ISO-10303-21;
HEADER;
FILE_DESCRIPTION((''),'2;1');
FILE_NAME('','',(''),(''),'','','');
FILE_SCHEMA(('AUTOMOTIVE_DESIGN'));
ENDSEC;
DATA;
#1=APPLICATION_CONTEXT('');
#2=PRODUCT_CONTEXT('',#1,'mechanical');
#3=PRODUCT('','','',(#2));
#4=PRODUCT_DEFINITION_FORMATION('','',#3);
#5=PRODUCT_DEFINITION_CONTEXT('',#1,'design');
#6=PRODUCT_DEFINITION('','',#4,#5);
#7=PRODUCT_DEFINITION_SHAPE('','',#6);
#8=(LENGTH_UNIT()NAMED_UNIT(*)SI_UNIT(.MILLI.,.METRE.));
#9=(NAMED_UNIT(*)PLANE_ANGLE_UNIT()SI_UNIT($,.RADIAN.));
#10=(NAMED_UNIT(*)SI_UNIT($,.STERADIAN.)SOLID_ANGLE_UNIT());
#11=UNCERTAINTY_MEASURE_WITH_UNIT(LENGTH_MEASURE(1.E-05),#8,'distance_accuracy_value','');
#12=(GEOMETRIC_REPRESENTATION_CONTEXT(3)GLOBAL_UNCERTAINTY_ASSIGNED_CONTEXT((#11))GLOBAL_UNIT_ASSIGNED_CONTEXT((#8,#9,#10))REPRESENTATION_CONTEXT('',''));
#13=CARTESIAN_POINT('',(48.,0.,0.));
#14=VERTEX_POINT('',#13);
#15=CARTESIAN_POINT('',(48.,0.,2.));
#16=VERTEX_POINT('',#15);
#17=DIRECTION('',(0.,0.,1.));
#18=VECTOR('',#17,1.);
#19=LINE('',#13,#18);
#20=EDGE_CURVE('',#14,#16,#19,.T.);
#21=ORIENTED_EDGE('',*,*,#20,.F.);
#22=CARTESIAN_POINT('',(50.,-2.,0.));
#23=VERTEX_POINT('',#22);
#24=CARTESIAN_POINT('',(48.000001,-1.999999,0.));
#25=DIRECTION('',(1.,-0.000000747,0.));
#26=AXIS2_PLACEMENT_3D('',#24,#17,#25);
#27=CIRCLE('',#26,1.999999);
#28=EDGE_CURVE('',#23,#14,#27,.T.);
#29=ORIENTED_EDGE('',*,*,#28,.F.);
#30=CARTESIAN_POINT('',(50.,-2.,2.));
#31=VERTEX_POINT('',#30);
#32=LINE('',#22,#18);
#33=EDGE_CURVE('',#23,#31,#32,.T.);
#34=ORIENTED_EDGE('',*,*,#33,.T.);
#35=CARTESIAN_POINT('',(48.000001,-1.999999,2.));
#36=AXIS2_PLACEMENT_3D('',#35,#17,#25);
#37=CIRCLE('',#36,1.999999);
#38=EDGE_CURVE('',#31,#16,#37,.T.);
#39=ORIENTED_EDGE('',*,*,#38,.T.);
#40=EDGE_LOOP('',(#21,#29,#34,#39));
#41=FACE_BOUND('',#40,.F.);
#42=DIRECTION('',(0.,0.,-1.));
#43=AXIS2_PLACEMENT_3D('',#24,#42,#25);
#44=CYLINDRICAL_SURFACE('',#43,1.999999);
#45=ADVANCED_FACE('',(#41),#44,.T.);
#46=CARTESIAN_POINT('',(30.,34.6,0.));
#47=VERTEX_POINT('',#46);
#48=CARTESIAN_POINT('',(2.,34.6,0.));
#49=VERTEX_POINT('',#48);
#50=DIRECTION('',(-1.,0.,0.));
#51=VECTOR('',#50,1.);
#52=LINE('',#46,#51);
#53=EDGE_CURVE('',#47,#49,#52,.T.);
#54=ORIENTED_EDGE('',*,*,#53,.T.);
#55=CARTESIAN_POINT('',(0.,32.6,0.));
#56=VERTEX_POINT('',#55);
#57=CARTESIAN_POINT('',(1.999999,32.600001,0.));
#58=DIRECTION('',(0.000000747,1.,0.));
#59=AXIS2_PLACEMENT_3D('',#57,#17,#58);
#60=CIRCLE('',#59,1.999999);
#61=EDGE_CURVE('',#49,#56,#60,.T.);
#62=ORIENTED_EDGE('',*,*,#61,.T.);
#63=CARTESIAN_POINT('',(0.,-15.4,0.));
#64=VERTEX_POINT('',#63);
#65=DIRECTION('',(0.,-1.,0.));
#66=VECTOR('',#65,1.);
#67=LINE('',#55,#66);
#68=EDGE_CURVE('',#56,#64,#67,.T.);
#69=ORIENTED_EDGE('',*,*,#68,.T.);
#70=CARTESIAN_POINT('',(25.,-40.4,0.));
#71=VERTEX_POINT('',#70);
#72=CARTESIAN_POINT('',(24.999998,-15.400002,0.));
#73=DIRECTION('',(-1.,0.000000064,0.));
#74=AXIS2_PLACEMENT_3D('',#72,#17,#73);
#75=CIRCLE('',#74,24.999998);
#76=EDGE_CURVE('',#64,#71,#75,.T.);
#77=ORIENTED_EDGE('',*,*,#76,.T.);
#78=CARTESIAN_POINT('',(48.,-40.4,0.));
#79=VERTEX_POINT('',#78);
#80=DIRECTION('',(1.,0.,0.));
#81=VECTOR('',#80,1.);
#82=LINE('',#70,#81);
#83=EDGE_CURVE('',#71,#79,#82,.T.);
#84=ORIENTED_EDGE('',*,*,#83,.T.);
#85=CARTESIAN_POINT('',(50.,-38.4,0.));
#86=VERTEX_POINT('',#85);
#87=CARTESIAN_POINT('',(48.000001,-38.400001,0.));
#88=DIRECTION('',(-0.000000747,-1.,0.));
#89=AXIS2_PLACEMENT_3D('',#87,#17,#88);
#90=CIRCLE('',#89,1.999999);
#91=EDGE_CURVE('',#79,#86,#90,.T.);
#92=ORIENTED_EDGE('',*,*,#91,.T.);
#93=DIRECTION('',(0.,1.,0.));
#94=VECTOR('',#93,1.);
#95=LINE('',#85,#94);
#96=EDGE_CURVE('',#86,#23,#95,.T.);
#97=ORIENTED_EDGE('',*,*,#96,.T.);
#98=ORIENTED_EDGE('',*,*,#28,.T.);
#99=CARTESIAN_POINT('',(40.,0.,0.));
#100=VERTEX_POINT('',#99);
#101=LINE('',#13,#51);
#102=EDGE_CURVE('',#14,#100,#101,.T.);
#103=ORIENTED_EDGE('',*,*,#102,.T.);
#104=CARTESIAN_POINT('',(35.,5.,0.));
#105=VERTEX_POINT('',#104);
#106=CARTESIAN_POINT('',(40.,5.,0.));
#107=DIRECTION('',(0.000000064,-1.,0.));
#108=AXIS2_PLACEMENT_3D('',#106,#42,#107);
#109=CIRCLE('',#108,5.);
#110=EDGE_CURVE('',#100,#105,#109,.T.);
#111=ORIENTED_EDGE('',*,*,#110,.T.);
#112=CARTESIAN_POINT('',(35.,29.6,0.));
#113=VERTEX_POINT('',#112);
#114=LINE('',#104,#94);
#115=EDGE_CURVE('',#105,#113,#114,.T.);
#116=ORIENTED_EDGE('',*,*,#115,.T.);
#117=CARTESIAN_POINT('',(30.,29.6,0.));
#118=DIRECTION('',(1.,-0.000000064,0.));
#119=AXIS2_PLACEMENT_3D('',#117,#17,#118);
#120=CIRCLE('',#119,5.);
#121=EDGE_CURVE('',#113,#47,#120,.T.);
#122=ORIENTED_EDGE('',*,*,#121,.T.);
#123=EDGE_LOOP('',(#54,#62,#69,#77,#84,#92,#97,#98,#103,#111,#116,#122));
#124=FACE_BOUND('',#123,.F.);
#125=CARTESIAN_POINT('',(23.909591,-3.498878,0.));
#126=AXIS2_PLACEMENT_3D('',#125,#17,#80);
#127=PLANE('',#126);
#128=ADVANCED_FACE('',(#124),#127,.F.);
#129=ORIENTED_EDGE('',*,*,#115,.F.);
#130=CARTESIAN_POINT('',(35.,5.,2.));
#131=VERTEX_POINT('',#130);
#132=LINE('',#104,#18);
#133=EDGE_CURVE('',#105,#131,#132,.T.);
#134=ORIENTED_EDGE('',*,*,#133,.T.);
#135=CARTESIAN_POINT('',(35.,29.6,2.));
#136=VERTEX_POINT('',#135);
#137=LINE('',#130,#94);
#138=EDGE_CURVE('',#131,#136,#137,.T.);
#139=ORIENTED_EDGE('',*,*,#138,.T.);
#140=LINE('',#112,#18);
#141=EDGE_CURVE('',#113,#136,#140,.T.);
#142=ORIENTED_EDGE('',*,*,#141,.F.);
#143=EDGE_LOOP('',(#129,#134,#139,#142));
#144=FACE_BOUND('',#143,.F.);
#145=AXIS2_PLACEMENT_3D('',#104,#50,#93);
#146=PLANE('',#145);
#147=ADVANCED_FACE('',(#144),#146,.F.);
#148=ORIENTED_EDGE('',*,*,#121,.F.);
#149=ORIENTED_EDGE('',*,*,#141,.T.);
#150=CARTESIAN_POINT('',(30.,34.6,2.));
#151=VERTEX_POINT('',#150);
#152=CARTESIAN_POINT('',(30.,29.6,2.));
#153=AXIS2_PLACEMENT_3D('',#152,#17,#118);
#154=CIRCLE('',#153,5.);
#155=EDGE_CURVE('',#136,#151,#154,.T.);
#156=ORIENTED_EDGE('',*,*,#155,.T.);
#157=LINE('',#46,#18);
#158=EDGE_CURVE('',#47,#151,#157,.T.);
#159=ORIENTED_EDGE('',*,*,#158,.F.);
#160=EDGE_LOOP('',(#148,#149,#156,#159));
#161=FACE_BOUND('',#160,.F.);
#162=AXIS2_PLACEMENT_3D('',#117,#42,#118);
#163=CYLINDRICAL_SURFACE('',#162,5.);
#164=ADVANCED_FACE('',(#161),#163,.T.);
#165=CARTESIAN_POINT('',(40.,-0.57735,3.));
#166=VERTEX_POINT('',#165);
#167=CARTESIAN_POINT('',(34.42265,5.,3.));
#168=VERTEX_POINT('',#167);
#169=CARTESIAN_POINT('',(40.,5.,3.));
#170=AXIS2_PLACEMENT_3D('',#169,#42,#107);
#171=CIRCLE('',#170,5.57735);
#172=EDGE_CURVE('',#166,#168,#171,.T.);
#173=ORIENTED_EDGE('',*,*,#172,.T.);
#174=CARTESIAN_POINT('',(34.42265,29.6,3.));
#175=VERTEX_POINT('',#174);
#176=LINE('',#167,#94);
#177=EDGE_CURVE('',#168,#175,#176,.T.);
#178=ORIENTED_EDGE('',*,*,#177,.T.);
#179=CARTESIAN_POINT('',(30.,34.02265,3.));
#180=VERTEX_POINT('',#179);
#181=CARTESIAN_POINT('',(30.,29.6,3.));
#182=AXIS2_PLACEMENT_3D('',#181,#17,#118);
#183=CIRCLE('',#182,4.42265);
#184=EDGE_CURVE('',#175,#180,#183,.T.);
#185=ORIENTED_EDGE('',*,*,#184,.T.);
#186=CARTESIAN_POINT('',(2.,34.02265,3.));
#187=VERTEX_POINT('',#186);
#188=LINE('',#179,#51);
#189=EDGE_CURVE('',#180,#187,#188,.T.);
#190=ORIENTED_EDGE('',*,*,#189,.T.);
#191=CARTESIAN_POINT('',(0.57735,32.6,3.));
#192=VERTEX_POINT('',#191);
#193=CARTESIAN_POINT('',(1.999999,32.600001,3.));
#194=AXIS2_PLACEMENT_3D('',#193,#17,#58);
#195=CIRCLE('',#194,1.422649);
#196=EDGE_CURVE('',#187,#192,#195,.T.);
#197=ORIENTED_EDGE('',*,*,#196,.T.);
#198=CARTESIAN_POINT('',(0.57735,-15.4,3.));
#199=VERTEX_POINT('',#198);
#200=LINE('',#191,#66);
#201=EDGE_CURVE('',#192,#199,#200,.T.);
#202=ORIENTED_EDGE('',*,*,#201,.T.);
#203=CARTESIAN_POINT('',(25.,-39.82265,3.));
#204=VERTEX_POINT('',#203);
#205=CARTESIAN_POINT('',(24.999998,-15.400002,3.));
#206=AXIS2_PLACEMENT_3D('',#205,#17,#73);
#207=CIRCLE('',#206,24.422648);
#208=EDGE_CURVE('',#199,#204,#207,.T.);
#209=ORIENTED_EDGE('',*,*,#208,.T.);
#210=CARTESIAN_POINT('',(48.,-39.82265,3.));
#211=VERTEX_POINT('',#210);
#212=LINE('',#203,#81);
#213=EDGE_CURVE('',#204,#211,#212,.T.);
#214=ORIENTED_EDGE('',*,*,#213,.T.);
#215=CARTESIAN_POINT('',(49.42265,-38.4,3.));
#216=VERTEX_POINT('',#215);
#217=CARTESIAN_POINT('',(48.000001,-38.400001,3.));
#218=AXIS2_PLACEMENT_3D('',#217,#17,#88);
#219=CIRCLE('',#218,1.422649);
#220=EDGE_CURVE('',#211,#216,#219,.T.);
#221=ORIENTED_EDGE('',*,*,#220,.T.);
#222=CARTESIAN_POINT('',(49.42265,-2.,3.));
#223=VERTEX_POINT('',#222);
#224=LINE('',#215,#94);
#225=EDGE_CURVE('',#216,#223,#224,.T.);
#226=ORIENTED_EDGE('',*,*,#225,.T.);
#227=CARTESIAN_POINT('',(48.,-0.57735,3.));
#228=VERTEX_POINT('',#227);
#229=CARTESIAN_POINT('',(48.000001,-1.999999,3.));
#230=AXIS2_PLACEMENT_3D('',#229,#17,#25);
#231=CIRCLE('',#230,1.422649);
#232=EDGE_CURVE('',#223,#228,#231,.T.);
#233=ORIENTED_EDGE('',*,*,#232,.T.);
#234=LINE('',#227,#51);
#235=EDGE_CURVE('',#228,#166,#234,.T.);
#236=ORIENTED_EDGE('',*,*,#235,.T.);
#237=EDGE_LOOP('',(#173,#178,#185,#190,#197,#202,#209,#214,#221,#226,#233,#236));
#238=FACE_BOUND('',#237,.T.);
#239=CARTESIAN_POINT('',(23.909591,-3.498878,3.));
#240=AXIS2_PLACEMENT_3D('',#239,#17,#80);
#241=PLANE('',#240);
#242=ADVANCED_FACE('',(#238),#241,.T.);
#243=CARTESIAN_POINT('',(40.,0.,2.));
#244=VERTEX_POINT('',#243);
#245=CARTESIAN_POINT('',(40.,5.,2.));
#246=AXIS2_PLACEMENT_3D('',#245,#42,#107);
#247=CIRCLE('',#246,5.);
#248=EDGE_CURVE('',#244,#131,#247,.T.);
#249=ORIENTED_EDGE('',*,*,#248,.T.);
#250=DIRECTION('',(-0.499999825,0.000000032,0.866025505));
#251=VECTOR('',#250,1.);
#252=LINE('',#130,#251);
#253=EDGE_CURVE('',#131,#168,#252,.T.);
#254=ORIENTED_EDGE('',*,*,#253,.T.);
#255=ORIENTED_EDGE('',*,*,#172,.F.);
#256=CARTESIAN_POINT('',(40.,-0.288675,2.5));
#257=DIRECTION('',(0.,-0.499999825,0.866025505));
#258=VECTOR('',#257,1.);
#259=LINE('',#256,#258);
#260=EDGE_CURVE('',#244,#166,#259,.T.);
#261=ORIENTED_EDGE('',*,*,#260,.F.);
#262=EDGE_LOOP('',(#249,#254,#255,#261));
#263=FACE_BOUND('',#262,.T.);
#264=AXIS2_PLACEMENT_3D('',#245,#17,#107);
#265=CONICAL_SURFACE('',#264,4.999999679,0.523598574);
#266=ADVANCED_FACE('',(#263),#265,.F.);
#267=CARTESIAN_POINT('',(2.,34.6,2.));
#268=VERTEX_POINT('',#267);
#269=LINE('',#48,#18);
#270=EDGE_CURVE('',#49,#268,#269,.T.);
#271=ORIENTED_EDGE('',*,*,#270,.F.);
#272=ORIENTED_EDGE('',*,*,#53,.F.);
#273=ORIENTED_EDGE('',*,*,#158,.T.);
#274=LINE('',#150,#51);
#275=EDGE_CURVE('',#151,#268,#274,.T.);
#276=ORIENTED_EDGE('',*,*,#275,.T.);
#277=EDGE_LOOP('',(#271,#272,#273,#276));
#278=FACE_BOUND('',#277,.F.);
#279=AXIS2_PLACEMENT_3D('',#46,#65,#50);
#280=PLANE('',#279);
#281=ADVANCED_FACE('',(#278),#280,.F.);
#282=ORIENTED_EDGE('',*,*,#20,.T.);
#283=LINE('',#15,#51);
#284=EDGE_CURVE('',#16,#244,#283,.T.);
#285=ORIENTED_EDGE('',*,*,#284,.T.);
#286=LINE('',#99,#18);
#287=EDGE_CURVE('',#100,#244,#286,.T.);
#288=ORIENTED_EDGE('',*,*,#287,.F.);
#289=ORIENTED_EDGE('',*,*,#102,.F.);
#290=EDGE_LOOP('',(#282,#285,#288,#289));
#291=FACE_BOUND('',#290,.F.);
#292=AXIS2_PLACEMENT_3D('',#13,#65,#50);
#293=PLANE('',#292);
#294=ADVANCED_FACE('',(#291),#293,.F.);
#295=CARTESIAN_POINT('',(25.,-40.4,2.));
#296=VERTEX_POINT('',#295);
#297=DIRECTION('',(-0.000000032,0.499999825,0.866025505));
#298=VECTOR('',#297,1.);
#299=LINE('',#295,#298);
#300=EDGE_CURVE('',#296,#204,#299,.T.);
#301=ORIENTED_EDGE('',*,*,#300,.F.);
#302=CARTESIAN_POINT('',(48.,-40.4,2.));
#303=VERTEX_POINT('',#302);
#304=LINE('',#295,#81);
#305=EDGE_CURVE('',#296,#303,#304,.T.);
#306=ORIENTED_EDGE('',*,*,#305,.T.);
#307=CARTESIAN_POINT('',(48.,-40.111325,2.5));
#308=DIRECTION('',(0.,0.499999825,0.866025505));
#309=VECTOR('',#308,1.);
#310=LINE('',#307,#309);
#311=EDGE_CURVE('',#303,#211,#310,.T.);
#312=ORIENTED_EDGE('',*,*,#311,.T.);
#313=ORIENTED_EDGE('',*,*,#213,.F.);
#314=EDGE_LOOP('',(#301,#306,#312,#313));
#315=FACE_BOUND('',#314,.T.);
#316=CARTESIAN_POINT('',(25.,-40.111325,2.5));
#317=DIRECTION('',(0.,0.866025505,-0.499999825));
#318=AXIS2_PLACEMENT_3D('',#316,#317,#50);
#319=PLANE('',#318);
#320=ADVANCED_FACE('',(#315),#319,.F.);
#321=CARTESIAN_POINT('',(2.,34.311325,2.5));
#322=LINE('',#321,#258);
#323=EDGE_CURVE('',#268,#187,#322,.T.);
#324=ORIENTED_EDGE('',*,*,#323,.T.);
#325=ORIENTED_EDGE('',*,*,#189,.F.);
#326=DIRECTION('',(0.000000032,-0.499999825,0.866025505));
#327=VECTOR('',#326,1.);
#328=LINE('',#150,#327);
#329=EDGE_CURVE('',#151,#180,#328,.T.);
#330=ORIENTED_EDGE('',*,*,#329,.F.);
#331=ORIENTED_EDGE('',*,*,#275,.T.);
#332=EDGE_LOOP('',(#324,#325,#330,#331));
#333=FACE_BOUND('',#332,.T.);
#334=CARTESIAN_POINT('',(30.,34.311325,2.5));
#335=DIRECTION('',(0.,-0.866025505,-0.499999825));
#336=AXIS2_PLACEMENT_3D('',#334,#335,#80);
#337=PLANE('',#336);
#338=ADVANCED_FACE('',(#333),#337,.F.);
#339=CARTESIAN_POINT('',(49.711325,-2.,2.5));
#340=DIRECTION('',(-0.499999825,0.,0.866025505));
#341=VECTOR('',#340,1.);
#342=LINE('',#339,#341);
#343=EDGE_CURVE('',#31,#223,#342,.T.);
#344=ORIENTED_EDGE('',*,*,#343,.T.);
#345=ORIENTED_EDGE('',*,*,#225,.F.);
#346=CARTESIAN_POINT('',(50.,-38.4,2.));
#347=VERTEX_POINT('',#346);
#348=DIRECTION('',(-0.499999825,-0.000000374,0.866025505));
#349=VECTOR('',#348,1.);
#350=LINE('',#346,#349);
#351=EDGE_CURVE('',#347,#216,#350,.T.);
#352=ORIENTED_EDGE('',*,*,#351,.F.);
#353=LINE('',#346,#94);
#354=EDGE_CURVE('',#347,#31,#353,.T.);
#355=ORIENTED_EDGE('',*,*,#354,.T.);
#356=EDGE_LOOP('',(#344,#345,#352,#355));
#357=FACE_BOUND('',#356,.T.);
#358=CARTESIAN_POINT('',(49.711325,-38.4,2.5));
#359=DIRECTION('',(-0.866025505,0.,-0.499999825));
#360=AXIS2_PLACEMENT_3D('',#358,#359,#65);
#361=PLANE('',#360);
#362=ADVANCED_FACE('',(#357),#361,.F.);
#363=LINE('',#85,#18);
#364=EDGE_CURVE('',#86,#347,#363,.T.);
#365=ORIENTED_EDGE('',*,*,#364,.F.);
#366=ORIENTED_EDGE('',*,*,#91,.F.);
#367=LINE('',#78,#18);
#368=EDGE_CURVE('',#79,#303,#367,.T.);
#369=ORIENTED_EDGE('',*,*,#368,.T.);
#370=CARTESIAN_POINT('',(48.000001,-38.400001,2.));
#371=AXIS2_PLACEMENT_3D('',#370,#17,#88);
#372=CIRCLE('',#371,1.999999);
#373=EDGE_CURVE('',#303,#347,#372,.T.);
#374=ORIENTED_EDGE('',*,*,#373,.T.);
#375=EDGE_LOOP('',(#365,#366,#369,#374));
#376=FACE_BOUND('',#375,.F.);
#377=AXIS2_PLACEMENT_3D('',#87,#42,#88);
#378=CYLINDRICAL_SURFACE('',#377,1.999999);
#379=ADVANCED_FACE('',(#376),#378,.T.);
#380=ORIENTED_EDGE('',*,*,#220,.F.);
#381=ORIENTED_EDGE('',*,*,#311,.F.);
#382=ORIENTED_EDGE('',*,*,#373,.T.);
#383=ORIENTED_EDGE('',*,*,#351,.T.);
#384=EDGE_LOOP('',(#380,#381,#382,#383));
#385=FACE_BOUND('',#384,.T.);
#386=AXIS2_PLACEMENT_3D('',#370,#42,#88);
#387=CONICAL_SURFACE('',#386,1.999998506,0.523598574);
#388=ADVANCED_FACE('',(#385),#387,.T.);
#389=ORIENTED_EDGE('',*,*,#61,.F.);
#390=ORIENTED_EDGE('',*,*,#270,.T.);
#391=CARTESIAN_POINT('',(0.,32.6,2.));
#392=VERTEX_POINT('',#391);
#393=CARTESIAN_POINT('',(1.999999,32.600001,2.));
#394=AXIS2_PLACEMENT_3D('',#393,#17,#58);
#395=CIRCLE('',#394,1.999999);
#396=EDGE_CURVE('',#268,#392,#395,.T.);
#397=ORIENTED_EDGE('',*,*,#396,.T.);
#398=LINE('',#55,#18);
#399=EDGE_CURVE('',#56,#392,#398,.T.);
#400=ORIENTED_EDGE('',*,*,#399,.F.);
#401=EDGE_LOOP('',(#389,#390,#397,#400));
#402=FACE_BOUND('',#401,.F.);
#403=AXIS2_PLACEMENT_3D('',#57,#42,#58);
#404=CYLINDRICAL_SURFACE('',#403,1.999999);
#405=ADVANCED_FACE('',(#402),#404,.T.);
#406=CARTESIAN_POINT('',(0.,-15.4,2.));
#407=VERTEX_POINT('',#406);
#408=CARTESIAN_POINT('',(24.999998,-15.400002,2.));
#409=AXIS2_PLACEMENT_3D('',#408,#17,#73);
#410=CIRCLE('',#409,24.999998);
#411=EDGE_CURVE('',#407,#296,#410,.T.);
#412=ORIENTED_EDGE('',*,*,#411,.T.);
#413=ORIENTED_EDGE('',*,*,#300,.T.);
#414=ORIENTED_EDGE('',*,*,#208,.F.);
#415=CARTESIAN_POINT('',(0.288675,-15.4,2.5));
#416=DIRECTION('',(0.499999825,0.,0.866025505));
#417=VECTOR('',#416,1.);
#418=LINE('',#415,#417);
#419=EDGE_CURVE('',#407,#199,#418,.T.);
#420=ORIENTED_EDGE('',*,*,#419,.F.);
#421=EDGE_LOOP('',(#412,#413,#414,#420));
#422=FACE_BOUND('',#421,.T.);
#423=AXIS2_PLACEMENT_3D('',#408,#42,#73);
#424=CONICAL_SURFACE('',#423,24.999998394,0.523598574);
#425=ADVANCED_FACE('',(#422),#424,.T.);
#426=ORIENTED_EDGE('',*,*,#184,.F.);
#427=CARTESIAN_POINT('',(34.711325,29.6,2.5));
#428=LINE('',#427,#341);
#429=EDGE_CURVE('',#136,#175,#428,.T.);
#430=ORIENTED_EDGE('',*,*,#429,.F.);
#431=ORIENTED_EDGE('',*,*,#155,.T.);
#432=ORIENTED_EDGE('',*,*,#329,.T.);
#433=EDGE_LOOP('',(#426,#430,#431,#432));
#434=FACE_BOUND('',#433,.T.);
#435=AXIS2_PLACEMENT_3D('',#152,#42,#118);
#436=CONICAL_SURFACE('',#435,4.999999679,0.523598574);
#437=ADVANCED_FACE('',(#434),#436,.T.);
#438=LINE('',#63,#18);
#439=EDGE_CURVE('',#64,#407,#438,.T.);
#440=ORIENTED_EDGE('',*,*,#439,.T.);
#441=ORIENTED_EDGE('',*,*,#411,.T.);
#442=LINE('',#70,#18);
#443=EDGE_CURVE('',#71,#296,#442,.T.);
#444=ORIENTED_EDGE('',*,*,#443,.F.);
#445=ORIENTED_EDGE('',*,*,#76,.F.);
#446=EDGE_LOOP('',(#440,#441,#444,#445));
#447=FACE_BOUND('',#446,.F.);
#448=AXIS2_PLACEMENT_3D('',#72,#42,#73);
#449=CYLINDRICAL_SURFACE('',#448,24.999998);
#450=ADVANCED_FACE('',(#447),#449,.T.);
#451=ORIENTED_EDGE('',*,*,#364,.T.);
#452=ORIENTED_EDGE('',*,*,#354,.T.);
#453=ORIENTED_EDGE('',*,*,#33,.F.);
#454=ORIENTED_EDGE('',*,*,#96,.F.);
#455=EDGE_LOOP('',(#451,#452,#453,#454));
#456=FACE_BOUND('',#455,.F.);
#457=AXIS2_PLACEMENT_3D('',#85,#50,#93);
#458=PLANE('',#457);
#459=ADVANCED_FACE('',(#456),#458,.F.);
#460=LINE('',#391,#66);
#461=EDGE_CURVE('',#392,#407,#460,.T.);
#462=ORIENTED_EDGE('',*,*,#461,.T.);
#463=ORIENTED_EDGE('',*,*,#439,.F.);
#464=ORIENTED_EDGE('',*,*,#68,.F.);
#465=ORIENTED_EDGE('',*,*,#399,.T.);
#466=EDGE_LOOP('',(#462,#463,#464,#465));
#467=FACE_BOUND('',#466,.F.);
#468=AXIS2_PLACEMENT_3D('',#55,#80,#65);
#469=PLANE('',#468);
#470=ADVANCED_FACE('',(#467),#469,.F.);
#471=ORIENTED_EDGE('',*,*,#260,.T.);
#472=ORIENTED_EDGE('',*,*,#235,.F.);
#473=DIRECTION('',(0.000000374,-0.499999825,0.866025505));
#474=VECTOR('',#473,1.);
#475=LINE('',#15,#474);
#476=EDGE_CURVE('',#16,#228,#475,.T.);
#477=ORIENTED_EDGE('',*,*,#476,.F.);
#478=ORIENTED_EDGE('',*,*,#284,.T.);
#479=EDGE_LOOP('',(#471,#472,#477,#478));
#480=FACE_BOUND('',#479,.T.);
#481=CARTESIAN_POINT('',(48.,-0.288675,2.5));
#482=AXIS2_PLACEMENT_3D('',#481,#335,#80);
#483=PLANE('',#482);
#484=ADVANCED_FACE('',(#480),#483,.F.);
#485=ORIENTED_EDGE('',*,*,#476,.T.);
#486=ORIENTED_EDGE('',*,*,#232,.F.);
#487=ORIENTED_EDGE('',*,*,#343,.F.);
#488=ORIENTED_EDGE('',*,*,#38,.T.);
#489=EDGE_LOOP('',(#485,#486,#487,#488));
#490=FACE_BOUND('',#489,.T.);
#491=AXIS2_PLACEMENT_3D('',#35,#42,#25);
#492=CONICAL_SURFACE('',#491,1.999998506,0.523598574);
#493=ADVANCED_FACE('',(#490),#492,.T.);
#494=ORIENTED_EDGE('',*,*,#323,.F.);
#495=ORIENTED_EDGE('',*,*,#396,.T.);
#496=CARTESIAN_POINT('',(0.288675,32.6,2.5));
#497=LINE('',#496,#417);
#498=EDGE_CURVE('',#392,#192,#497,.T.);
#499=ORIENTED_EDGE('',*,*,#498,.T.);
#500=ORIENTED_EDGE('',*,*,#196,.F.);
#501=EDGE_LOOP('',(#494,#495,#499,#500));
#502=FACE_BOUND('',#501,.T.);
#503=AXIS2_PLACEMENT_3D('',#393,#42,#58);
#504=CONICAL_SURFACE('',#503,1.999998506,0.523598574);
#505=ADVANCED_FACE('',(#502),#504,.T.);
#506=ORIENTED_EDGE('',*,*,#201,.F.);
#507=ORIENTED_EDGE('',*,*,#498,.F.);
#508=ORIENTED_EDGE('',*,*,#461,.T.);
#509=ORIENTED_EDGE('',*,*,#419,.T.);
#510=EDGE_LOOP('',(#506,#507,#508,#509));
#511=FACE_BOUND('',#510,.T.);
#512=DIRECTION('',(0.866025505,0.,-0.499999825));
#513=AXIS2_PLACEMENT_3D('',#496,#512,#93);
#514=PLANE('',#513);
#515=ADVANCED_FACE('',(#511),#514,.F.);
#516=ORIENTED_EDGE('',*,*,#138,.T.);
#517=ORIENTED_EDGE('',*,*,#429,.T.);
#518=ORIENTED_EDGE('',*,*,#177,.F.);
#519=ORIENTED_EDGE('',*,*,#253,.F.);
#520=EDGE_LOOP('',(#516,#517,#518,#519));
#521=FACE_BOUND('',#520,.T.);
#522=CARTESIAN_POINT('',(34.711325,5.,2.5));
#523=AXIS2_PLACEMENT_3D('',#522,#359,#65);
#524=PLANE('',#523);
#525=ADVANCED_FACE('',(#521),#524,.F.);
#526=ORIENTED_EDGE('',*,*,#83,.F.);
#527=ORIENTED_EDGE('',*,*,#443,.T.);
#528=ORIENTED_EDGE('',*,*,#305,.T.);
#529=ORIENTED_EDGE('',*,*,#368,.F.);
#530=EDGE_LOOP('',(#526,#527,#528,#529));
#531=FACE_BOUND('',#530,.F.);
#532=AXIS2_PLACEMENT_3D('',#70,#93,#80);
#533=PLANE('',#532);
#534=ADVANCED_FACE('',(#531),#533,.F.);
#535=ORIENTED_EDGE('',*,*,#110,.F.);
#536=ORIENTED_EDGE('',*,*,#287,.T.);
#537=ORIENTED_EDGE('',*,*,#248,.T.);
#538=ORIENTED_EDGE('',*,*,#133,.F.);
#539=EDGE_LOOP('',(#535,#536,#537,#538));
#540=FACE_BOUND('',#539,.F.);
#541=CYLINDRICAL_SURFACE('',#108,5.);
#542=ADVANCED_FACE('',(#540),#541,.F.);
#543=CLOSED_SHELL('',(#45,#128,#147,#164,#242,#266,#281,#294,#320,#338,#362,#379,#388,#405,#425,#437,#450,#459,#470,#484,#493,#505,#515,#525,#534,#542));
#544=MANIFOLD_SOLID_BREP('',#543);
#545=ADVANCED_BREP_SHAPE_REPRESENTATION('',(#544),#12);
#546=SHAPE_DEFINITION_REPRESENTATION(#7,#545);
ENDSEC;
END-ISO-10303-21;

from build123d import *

# Parameters (mm, degrees)
F1_DEPTH = 3
F2_SIZE2 = 0.57735
F2_SIZE  = 1


with BuildPart() as f1:
    # F0 (on Top) → F1 (new body)
    with BuildSketch(Plane.XY):
        with BuildLine():
            Line((0, 32.6), (0, 0))
            Line((0, 0), (0, -15.4))
            ThreePointArc((0, -15.4), (7.32233, -33.07767), (25, -40.4))
            Line((25, -40.4), (48, -40.4))
            ThreePointArc((48, -40.4), (49.414214, -39.814214), (50, -38.4))
            Line((50, -38.4), (50, -2))
            ThreePointArc((50, -2), (49.414214, -0.585786), (48, 0))
            Line((48, 0), (40, 0))
            ThreePointArc((40, 0), (36.464466, 1.464466), (35, 5))
            Line((35, 5), (35, 29.6))
            ThreePointArc((35, 29.6), (33.535534, 33.135534), (30, 34.6))
            Line((30, 34.6), (2, 34.6))
            ThreePointArc((2, 34.6), (0.585786, 34.014214), (0, 32.6))
        make_face()
    extrude(amount=F1_DEPTH)

    # F2
    f2_edges = [f1.edges().sort_by_distance(p)[0] for p in [
        (0, 8.6, 3),
    ]]
    chamfer(f2_edges, length=F2_SIZE, length2=F2_SIZE2)


solid = f1.part
